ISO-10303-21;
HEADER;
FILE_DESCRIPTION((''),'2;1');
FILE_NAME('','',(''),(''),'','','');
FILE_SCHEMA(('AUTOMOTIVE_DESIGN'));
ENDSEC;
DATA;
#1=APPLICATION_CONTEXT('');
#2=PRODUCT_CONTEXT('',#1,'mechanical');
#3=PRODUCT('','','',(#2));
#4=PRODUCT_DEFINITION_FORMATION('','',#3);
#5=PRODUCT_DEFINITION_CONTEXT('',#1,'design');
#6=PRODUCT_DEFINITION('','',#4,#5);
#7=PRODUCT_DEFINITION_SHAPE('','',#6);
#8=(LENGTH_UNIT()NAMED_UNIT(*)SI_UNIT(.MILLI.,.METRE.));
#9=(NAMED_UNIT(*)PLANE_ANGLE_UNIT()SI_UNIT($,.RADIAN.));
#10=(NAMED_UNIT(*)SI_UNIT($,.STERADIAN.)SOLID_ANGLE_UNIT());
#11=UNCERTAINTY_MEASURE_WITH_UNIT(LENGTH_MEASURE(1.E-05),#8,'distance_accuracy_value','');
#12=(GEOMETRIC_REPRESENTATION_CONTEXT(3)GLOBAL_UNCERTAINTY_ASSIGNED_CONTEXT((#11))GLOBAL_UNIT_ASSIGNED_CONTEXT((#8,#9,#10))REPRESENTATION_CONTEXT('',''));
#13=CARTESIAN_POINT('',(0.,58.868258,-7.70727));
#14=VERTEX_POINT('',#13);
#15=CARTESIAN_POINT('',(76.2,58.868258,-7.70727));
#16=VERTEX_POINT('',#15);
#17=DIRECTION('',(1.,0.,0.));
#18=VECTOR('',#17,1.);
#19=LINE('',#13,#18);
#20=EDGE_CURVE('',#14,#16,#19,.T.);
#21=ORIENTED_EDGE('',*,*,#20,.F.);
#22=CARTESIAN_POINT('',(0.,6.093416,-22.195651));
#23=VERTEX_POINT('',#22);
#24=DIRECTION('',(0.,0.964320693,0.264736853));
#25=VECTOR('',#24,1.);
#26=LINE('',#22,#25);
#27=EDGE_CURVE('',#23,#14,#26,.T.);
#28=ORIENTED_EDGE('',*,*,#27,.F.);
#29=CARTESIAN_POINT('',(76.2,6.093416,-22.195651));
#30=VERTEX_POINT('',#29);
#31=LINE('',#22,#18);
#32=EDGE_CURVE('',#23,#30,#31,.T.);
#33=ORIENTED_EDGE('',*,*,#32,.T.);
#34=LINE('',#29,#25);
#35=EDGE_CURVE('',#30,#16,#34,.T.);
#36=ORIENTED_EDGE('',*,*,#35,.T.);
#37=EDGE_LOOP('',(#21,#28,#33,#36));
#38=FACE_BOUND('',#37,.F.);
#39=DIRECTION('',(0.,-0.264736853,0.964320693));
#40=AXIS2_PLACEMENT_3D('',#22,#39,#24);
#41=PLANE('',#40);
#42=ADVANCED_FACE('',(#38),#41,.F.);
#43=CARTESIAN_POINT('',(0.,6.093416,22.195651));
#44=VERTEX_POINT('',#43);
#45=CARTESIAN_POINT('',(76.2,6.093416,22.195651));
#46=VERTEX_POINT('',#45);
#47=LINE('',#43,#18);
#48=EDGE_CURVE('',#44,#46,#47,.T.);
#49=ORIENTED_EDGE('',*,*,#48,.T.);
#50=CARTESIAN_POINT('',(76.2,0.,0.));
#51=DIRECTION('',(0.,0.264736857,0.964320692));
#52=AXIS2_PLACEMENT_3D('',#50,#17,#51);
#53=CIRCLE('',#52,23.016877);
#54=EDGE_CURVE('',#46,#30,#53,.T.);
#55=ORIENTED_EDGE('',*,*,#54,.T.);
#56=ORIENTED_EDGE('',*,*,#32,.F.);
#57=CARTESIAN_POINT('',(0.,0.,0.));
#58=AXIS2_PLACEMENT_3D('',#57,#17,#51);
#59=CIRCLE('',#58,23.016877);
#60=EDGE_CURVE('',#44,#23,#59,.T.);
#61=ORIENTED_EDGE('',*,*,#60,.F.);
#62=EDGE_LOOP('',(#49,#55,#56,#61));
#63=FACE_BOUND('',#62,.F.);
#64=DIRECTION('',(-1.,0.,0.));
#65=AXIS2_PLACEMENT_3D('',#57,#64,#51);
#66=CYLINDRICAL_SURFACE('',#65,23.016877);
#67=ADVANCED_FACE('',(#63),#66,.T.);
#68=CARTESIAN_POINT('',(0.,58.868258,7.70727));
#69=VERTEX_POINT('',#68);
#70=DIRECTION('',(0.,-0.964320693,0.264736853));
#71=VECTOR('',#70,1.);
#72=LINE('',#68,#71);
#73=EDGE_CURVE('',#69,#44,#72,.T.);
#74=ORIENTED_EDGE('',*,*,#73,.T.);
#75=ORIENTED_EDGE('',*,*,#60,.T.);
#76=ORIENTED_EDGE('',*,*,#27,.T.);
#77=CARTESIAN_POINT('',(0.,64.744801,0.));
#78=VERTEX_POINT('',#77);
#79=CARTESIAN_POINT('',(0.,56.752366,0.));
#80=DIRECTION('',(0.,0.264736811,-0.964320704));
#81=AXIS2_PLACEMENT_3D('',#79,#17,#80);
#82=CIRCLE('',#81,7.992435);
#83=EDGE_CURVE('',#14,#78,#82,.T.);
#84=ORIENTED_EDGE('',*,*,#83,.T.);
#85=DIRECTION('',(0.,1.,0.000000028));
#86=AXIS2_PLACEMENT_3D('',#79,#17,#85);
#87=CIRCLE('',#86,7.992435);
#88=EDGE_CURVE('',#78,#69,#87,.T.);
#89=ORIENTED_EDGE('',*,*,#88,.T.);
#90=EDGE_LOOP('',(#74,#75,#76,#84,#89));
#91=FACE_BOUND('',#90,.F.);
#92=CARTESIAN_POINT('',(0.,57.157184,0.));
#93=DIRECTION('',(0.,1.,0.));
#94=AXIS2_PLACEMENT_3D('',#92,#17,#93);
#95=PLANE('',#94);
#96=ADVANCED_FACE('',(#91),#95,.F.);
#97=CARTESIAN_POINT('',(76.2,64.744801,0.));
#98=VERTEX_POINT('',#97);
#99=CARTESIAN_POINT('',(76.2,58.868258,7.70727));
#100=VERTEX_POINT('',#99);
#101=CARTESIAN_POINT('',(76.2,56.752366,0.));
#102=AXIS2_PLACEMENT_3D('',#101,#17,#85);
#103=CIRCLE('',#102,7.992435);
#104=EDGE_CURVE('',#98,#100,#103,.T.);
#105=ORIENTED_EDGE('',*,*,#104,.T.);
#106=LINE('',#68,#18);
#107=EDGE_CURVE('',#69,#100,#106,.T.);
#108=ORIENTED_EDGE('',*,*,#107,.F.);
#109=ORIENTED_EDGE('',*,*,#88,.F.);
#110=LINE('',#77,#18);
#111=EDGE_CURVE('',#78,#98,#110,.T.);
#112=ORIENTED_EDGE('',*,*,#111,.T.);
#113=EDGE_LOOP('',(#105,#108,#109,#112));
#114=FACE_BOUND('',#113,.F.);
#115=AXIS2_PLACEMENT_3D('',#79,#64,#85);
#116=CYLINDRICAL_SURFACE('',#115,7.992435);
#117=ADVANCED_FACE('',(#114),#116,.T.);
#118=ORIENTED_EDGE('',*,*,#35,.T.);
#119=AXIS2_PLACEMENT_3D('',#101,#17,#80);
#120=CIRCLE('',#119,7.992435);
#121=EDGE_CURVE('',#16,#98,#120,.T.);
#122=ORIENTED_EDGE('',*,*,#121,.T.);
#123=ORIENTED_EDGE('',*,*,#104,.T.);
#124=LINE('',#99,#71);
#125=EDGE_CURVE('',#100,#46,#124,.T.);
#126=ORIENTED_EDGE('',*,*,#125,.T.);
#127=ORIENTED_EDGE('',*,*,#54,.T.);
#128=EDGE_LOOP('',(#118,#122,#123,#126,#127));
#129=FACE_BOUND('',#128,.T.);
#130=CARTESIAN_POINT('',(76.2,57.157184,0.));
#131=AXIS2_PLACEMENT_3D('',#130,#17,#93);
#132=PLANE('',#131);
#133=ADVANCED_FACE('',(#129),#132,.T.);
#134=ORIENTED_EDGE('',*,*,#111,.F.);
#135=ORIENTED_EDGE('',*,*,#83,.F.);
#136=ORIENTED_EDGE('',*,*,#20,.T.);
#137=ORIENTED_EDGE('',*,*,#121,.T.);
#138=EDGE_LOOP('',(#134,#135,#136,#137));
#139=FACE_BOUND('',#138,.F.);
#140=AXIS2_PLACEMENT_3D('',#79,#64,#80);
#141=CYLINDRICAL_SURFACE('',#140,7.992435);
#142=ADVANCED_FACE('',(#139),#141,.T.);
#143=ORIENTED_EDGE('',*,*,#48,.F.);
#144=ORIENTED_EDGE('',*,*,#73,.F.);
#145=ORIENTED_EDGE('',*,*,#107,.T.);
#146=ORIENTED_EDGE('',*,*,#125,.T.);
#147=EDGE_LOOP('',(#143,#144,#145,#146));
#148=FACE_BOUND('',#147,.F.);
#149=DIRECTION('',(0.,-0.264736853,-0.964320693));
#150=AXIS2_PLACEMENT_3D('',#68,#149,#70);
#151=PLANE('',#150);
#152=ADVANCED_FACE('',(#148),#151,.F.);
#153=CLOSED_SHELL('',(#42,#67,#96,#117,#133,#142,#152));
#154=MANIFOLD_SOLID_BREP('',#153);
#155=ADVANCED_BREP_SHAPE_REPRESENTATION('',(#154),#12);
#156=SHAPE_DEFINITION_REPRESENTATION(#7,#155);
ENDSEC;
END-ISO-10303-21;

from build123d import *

# Parameters (mm, degrees)
F1_DEPTH = 76.2


with BuildPart() as f1:
    # F0 (on Right) → F1 (new body)
    with BuildSketch(Plane.YZ):
        with BuildLine():
            ThreePointArc((64.744801, 0), (63.108078, 4.846023), (58.868258, 7.70727))
            ThreePointArc((58.868258, 7.70727), (48.759932, 0), (58.868258, -7.70727))
            ThreePointArc((58.868258, -7.70727), (63.108078, -4.846023), (64.744801, 0))
        make_face()
        with BuildLine():
            ThreePointArc((6.093416, -22.195651), (18.303388, -13.955738), (23.016877, 0))
            ThreePointArc((23.016877, 0), (18.303388, 13.955738), (6.093416, 22.195651))
            ThreePointArc((6.093416, 22.195651), (-23.016877, 0), (6.093416, -22.195651))
        make_face()
        with BuildLine():
            ThreePointArc((6.093416, 22.195651), (18.303388, 13.955738), (23.016877, 0))
            ThreePointArc((23.016877, 0), (18.303388, -13.955738), (6.093416, -22.195651))
            Line((6.093416, -22.195651), (58.868258, -7.70727))
            ThreePointArc((58.868258, -7.70727), (48.759932, 0), (58.868258, 7.70727))
            Line((58.868258, 7.70727), (6.093416, 22.195651))
        make_face()
    extrude(amount=F1_DEPTH)


solid = f1.part
